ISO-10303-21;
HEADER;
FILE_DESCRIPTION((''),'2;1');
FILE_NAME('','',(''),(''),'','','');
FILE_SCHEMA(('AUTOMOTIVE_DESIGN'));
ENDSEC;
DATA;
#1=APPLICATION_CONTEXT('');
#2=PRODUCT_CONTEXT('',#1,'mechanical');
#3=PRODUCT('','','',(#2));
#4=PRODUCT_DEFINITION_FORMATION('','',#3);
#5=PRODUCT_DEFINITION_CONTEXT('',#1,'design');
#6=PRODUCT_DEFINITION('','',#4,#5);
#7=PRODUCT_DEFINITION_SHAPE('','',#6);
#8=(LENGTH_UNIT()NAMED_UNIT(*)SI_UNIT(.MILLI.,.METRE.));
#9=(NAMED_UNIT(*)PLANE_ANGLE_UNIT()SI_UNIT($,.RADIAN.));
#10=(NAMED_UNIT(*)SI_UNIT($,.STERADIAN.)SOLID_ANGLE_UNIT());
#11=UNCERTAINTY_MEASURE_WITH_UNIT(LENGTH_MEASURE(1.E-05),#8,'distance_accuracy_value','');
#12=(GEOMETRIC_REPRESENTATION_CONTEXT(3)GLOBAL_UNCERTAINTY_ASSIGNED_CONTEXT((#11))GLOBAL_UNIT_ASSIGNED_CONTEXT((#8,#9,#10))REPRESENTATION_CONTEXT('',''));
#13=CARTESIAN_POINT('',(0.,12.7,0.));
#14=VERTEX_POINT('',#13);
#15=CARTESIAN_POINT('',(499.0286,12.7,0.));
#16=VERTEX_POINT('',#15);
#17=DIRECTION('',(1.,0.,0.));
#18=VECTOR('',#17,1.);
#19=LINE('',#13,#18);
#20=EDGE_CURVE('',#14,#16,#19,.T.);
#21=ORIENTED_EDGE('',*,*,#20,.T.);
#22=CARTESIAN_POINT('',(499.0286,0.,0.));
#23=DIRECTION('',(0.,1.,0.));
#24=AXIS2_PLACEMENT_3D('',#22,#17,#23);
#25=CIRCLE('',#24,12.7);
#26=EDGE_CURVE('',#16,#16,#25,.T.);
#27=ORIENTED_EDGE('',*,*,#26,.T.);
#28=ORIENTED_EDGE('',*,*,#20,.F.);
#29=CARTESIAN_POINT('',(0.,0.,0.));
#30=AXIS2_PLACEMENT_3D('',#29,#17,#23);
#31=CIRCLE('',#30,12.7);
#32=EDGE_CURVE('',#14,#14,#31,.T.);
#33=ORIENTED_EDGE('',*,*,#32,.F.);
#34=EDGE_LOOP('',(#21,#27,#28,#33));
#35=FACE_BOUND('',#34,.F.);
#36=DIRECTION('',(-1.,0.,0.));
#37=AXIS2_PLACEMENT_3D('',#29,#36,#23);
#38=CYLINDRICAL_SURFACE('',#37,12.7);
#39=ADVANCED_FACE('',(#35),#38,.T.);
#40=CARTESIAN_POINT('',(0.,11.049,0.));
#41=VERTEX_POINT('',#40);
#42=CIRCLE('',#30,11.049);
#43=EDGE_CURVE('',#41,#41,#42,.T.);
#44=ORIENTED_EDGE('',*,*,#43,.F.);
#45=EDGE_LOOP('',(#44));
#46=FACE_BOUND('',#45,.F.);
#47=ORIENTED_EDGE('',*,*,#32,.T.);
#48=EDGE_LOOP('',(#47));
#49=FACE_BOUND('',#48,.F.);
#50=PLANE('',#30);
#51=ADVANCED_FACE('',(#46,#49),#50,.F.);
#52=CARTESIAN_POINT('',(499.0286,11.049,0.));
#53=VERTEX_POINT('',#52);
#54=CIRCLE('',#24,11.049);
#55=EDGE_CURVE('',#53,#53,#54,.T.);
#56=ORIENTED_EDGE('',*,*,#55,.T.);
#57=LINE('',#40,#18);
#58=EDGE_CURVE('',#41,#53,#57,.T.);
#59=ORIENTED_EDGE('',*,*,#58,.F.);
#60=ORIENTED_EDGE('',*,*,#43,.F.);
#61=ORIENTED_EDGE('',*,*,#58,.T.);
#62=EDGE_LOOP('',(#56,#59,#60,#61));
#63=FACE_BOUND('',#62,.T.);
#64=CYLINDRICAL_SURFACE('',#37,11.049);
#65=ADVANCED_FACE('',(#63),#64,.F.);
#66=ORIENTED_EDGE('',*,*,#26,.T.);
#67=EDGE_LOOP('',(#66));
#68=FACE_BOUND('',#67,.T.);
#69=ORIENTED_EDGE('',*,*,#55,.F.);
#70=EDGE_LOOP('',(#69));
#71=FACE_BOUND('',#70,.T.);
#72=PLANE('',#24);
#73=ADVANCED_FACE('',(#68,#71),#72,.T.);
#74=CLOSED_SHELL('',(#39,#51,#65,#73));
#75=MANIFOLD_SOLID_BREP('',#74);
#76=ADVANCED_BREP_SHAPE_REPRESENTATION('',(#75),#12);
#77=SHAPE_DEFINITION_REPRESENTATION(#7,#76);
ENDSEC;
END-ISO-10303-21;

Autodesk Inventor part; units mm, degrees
ref_plane "XZ Plane" through (0, 0, 0) normal (0, 1, 0) x (-1, 0, 0)
ref_plane "Start Plane" through (0, 0, 0) normal (1, 0, 0) x (0, 1, 0)
ref_plane "End Plane" through (499.0286, 0, 0) normal (1, 0, 0) x (0, 1, 0)
sketch "Sketch" plane through (0, 0, 0) normal (1, 0, 0) x (0, 1, 0)
  circle A0 centre (0, 0) radius 12.7
  circle A1 centre (0, 0) radius 11.049
  dimension "d0" = 25.4
  dimension "d1" = 1.651
extrude "Body" add sketch "Sketch" along normal up to surface (499.0286 mm away) from surface at 0
sketch "Sketch2" plane through (0, 0, 0) normal (1, 0, 0) x (0, 1, 0)
  line L0 (0, 0) -> (10, 0)
ref_plane "Work Plane3" through (0, 0, 0) normal (0, 0, -1) x (0, 1, 0)
sketch "Sketch3" plane through (0, 0, 0) normal (0, 0, -1) x (0, 1, 0)
  line L0 (-2, 0) -> (12, 0)
  line L1 (-2, 499.0286) -> (12, 499.0286)
  dimension "d9" = 499.0286
equation "\"G_OFFSET_START\" = 0"
equation "\"G_OFFSET_END\" = 0"
equation "\"d5\" = d2 + G_OFFSET_END"
equation "\"G_L\" = d9"
equation "\"d2\" = 499.028559"
properties part number "4130_1x0.065" material "Steel, Alloy"
